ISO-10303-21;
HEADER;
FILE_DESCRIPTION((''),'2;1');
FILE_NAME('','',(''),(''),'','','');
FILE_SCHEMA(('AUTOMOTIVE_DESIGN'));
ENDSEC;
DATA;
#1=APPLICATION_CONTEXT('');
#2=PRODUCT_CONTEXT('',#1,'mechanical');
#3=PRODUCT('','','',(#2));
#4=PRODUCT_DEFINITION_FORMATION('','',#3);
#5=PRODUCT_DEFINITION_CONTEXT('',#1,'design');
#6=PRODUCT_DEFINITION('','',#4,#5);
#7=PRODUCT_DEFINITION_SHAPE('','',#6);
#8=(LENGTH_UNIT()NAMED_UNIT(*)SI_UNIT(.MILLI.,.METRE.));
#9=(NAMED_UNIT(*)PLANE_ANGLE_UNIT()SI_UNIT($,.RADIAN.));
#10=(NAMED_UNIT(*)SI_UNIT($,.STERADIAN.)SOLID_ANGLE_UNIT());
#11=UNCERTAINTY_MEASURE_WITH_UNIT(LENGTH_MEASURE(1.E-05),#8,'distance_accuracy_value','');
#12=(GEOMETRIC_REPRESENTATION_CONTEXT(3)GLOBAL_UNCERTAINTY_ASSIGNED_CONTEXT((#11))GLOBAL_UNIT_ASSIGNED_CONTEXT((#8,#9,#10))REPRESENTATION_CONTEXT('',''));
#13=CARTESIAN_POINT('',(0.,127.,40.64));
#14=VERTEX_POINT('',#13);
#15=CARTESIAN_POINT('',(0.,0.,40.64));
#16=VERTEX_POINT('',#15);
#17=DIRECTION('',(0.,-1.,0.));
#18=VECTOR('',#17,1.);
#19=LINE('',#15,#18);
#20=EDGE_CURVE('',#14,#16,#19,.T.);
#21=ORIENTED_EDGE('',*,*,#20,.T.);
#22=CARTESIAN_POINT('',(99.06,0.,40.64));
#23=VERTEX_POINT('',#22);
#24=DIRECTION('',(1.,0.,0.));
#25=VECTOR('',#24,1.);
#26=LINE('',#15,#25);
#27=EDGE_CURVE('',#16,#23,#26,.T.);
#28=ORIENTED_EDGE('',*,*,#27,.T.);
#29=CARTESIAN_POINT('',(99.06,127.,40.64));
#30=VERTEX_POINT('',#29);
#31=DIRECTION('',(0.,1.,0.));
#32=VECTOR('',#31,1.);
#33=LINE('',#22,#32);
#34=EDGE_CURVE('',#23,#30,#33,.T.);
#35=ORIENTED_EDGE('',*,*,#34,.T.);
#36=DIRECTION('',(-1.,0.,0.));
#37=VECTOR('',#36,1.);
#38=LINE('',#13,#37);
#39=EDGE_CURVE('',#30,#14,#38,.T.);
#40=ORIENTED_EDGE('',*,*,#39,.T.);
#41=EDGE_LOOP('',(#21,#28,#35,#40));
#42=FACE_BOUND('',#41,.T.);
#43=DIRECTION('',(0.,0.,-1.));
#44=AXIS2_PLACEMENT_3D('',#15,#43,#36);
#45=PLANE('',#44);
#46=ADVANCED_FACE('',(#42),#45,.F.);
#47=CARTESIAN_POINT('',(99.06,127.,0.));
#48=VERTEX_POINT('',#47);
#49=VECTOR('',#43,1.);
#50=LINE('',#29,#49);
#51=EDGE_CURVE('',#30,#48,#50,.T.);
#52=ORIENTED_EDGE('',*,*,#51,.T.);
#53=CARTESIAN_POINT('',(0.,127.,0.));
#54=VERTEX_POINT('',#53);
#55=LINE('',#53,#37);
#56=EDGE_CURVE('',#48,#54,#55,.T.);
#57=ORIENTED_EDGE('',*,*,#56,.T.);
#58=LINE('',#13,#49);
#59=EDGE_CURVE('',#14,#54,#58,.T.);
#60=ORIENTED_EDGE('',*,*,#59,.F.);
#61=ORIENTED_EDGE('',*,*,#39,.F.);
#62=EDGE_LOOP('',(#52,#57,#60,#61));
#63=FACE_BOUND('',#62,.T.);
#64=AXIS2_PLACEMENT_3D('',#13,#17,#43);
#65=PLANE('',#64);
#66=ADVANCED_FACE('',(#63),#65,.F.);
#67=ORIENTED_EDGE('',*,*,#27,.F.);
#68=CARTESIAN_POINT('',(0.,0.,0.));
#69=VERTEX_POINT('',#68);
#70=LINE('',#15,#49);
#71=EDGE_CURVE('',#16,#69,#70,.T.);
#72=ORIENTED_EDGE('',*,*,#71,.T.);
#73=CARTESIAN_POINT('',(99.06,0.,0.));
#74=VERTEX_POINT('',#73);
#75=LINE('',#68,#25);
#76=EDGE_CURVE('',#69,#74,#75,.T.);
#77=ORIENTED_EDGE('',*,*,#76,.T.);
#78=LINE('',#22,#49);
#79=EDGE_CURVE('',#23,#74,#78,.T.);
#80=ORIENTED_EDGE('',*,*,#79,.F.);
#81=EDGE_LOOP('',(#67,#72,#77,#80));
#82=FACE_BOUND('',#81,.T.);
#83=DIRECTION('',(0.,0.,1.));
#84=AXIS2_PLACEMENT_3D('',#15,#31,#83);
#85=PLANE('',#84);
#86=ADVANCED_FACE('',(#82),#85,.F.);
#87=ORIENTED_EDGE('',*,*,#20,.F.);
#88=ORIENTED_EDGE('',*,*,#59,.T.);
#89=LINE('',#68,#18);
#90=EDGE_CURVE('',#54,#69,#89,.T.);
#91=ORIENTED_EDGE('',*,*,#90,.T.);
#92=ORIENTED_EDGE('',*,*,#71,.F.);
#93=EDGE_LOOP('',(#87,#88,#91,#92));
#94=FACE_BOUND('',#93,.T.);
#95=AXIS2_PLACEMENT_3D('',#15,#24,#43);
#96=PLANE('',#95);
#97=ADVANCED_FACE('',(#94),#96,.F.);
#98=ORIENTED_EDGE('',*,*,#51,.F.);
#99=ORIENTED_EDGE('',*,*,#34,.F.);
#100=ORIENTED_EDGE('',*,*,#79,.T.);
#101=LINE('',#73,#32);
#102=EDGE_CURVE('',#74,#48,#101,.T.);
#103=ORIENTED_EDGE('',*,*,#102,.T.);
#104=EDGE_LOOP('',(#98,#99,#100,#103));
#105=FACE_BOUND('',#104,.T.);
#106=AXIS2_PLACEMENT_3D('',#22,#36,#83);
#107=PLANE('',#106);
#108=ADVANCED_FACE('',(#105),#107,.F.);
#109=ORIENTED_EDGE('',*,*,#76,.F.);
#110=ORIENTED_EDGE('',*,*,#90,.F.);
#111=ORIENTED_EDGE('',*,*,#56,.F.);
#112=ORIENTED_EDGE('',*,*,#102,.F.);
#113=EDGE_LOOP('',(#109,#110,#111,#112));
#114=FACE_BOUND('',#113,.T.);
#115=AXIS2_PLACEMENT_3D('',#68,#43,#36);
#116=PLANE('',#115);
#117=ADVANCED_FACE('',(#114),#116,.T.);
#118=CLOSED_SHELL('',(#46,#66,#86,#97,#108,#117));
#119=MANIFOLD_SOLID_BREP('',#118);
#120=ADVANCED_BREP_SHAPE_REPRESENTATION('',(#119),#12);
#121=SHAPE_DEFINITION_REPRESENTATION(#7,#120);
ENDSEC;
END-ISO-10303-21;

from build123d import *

# Parameters (mm, degrees)
SKETCH1_W           = 99.06
SKETCH1_H           = 127
BOSS_EXTRUDE1_DEPTH = 40.64


with BuildPart() as part:
    # Sketch1 → Boss-Extrude1 (new body)
    with BuildSketch(Plane.XY):
        with Locations((49.53, 63.5)):
            Rectangle(SKETCH1_W, SKETCH1_H)
    extrude(amount=BOSS_EXTRUDE1_DEPTH)


solid = part.part
